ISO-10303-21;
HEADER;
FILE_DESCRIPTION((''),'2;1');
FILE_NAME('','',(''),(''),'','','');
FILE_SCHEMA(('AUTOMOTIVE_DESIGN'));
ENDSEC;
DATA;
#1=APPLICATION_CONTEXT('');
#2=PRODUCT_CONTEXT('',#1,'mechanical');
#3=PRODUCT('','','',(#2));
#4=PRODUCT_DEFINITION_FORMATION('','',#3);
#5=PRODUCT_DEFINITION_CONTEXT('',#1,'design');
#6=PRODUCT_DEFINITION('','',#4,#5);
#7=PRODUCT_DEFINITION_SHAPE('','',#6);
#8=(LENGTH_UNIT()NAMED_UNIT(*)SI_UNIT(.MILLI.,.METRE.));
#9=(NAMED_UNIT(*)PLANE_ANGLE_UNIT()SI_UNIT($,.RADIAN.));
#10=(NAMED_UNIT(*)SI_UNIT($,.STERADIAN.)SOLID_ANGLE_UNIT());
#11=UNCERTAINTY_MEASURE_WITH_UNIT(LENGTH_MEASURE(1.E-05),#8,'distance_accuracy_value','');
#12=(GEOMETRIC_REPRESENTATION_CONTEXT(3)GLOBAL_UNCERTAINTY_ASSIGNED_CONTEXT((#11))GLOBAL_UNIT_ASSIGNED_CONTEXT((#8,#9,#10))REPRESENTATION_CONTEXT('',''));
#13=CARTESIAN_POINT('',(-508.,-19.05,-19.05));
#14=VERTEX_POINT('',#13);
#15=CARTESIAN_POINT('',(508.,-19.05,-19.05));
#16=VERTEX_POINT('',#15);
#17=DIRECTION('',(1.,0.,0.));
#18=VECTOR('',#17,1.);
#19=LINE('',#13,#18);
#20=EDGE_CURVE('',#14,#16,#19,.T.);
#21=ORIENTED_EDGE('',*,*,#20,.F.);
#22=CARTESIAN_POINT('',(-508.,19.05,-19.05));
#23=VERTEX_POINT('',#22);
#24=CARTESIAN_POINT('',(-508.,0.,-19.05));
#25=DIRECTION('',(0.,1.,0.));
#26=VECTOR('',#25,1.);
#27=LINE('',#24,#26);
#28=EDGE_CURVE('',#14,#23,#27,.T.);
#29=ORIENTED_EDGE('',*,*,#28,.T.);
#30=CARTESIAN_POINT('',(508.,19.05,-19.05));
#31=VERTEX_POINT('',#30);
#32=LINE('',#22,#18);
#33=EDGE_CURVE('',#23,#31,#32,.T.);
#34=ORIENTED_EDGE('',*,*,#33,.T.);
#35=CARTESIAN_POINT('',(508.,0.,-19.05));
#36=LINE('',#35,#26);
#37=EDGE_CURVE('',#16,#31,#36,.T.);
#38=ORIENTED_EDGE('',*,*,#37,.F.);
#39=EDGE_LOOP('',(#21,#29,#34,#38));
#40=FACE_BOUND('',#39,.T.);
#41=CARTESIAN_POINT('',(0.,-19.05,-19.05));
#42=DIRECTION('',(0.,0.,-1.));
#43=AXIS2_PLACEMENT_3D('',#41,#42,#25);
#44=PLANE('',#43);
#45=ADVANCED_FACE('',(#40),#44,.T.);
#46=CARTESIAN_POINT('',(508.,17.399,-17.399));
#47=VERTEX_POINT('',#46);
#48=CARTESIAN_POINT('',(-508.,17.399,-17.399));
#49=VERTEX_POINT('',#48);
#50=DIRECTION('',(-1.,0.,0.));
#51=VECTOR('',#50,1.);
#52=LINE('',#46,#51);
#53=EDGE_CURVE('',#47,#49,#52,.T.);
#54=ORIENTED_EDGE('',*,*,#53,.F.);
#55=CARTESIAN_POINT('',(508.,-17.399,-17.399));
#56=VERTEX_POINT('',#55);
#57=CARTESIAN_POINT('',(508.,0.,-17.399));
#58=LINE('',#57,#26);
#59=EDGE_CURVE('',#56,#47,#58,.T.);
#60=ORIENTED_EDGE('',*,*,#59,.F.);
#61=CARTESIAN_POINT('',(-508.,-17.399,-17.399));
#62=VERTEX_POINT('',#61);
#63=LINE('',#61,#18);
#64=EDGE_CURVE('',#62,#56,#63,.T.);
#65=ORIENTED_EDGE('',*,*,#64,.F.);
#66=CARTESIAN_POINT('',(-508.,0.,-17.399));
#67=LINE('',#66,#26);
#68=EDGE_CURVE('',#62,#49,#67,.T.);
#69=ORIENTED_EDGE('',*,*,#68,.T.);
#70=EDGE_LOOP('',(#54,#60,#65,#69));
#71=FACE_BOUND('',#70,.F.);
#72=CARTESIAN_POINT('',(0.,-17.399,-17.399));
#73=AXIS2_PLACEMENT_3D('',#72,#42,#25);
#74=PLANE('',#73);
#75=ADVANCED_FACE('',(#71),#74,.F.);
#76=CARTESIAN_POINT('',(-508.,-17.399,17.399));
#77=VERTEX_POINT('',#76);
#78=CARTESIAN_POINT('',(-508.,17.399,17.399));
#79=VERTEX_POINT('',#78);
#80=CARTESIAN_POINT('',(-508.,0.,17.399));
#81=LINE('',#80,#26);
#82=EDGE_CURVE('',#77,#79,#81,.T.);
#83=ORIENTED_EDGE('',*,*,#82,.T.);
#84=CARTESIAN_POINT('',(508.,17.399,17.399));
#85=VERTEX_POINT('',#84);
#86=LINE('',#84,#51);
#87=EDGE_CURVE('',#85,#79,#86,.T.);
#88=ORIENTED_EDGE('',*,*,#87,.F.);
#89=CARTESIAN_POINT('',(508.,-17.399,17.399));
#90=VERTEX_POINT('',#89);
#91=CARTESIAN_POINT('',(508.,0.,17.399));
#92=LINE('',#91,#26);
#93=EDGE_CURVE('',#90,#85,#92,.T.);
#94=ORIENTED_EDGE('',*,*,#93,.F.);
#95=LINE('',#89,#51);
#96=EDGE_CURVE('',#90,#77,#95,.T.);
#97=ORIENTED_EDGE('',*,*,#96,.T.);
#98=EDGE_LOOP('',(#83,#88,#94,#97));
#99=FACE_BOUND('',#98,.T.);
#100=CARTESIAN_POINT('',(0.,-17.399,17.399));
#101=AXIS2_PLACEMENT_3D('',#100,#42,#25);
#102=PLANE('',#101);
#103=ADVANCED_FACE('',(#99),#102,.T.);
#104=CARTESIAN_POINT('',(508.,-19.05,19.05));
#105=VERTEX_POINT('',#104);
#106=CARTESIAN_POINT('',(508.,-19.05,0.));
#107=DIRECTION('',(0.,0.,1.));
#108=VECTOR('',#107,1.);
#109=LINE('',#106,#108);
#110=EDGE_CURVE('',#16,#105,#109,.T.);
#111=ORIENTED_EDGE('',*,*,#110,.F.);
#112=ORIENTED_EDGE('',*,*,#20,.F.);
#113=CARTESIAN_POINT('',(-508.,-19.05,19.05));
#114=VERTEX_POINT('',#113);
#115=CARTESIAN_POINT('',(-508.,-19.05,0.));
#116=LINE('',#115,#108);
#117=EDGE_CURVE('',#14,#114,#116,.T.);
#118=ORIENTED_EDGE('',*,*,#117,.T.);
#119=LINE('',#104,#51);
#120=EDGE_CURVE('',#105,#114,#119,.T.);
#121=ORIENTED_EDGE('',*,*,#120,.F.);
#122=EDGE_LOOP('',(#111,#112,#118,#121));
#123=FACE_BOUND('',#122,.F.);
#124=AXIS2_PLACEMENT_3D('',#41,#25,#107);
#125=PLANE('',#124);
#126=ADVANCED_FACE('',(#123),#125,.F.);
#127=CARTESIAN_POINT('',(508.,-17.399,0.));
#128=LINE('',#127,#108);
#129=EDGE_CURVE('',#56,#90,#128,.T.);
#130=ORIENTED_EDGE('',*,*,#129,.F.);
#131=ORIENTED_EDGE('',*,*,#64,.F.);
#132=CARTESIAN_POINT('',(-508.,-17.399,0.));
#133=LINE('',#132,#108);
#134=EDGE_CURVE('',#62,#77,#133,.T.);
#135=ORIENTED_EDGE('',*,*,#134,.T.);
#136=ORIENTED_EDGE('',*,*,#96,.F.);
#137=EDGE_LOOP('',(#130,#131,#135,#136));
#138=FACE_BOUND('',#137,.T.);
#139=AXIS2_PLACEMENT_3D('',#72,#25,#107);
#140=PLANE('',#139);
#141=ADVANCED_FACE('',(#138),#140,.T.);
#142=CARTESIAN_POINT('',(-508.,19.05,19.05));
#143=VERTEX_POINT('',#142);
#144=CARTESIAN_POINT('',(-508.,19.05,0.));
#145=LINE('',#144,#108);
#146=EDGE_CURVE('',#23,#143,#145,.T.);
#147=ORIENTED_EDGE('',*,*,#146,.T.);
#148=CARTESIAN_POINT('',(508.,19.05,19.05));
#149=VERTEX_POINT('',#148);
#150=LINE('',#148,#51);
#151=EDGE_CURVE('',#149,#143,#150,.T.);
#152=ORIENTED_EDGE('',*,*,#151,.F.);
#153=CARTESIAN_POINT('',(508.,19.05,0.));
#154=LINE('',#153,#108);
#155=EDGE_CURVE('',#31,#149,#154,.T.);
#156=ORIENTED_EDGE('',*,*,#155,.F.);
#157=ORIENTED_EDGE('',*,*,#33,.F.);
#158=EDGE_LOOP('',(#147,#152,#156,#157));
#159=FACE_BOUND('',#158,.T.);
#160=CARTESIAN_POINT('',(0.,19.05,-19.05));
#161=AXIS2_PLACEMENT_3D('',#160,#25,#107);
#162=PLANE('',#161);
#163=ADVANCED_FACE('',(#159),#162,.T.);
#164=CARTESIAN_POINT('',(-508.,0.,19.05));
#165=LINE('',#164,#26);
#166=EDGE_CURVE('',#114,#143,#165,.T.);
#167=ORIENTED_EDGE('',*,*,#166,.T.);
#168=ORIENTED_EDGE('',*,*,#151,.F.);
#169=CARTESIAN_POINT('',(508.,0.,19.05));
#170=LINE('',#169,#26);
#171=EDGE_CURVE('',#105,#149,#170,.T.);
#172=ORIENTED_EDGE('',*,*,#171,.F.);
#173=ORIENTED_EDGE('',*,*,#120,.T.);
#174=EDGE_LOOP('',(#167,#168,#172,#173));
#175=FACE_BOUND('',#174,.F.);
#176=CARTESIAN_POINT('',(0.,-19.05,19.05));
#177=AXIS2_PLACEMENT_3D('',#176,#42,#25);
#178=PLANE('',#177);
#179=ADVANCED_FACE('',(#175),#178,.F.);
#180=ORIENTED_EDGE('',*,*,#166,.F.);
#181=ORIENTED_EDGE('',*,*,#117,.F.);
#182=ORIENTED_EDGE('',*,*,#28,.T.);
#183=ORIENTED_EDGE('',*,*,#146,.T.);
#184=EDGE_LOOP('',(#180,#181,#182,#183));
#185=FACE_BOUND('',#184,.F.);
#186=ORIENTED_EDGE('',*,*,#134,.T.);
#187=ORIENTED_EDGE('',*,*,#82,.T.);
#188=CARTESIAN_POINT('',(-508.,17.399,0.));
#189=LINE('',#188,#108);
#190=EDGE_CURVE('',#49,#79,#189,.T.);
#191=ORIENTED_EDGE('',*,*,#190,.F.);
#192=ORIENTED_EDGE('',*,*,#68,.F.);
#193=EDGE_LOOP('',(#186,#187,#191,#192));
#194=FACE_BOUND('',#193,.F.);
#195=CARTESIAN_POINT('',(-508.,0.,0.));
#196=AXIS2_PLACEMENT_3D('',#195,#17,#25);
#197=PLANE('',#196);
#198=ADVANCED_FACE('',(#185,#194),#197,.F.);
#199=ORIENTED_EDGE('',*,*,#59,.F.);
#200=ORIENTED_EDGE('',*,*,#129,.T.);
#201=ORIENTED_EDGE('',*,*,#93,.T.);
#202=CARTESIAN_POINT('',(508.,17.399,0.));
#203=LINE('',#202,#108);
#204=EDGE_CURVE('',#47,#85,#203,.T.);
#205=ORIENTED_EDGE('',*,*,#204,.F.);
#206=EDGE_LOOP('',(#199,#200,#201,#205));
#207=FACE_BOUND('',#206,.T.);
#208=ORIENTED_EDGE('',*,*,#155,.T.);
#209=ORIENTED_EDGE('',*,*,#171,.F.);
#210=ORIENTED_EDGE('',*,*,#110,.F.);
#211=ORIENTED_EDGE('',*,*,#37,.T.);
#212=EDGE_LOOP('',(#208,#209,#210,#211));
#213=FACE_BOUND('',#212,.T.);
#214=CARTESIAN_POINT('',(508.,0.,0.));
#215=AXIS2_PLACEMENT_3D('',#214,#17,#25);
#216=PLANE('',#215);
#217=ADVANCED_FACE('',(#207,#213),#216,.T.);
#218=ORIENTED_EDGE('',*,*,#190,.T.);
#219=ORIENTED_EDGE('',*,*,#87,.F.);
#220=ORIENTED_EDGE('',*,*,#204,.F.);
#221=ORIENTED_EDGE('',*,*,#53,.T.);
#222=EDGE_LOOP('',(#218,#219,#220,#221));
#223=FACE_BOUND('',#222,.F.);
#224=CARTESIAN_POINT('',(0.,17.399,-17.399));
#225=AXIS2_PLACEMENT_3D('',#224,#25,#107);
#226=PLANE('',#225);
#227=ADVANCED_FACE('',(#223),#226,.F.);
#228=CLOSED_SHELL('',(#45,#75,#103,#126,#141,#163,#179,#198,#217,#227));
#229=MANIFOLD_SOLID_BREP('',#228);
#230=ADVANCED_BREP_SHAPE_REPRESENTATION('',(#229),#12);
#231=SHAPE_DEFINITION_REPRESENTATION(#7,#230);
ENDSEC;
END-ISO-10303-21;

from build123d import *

# Parameters (mm, degrees)
F0_W          = 38.1
F0_H          = 38.1
F0_W_2        = 34.798
F0_H_2        = 34.798
F1_DEPTH      = 508
F1_DEPTH_BACK = 508


with BuildPart() as f1:
    # F0 (on Right) → F1 (new body, two sides)
    with BuildSketch(Plane.YZ) as f1_sk:
        Rectangle(F0_W, F0_H)
        Rectangle(F0_W_2, F0_H_2, mode=Mode.SUBTRACT)
    extrude(amount=F1_DEPTH)
    extrude(f1_sk.sketch, amount=-F1_DEPTH_BACK)


solid = f1.part
